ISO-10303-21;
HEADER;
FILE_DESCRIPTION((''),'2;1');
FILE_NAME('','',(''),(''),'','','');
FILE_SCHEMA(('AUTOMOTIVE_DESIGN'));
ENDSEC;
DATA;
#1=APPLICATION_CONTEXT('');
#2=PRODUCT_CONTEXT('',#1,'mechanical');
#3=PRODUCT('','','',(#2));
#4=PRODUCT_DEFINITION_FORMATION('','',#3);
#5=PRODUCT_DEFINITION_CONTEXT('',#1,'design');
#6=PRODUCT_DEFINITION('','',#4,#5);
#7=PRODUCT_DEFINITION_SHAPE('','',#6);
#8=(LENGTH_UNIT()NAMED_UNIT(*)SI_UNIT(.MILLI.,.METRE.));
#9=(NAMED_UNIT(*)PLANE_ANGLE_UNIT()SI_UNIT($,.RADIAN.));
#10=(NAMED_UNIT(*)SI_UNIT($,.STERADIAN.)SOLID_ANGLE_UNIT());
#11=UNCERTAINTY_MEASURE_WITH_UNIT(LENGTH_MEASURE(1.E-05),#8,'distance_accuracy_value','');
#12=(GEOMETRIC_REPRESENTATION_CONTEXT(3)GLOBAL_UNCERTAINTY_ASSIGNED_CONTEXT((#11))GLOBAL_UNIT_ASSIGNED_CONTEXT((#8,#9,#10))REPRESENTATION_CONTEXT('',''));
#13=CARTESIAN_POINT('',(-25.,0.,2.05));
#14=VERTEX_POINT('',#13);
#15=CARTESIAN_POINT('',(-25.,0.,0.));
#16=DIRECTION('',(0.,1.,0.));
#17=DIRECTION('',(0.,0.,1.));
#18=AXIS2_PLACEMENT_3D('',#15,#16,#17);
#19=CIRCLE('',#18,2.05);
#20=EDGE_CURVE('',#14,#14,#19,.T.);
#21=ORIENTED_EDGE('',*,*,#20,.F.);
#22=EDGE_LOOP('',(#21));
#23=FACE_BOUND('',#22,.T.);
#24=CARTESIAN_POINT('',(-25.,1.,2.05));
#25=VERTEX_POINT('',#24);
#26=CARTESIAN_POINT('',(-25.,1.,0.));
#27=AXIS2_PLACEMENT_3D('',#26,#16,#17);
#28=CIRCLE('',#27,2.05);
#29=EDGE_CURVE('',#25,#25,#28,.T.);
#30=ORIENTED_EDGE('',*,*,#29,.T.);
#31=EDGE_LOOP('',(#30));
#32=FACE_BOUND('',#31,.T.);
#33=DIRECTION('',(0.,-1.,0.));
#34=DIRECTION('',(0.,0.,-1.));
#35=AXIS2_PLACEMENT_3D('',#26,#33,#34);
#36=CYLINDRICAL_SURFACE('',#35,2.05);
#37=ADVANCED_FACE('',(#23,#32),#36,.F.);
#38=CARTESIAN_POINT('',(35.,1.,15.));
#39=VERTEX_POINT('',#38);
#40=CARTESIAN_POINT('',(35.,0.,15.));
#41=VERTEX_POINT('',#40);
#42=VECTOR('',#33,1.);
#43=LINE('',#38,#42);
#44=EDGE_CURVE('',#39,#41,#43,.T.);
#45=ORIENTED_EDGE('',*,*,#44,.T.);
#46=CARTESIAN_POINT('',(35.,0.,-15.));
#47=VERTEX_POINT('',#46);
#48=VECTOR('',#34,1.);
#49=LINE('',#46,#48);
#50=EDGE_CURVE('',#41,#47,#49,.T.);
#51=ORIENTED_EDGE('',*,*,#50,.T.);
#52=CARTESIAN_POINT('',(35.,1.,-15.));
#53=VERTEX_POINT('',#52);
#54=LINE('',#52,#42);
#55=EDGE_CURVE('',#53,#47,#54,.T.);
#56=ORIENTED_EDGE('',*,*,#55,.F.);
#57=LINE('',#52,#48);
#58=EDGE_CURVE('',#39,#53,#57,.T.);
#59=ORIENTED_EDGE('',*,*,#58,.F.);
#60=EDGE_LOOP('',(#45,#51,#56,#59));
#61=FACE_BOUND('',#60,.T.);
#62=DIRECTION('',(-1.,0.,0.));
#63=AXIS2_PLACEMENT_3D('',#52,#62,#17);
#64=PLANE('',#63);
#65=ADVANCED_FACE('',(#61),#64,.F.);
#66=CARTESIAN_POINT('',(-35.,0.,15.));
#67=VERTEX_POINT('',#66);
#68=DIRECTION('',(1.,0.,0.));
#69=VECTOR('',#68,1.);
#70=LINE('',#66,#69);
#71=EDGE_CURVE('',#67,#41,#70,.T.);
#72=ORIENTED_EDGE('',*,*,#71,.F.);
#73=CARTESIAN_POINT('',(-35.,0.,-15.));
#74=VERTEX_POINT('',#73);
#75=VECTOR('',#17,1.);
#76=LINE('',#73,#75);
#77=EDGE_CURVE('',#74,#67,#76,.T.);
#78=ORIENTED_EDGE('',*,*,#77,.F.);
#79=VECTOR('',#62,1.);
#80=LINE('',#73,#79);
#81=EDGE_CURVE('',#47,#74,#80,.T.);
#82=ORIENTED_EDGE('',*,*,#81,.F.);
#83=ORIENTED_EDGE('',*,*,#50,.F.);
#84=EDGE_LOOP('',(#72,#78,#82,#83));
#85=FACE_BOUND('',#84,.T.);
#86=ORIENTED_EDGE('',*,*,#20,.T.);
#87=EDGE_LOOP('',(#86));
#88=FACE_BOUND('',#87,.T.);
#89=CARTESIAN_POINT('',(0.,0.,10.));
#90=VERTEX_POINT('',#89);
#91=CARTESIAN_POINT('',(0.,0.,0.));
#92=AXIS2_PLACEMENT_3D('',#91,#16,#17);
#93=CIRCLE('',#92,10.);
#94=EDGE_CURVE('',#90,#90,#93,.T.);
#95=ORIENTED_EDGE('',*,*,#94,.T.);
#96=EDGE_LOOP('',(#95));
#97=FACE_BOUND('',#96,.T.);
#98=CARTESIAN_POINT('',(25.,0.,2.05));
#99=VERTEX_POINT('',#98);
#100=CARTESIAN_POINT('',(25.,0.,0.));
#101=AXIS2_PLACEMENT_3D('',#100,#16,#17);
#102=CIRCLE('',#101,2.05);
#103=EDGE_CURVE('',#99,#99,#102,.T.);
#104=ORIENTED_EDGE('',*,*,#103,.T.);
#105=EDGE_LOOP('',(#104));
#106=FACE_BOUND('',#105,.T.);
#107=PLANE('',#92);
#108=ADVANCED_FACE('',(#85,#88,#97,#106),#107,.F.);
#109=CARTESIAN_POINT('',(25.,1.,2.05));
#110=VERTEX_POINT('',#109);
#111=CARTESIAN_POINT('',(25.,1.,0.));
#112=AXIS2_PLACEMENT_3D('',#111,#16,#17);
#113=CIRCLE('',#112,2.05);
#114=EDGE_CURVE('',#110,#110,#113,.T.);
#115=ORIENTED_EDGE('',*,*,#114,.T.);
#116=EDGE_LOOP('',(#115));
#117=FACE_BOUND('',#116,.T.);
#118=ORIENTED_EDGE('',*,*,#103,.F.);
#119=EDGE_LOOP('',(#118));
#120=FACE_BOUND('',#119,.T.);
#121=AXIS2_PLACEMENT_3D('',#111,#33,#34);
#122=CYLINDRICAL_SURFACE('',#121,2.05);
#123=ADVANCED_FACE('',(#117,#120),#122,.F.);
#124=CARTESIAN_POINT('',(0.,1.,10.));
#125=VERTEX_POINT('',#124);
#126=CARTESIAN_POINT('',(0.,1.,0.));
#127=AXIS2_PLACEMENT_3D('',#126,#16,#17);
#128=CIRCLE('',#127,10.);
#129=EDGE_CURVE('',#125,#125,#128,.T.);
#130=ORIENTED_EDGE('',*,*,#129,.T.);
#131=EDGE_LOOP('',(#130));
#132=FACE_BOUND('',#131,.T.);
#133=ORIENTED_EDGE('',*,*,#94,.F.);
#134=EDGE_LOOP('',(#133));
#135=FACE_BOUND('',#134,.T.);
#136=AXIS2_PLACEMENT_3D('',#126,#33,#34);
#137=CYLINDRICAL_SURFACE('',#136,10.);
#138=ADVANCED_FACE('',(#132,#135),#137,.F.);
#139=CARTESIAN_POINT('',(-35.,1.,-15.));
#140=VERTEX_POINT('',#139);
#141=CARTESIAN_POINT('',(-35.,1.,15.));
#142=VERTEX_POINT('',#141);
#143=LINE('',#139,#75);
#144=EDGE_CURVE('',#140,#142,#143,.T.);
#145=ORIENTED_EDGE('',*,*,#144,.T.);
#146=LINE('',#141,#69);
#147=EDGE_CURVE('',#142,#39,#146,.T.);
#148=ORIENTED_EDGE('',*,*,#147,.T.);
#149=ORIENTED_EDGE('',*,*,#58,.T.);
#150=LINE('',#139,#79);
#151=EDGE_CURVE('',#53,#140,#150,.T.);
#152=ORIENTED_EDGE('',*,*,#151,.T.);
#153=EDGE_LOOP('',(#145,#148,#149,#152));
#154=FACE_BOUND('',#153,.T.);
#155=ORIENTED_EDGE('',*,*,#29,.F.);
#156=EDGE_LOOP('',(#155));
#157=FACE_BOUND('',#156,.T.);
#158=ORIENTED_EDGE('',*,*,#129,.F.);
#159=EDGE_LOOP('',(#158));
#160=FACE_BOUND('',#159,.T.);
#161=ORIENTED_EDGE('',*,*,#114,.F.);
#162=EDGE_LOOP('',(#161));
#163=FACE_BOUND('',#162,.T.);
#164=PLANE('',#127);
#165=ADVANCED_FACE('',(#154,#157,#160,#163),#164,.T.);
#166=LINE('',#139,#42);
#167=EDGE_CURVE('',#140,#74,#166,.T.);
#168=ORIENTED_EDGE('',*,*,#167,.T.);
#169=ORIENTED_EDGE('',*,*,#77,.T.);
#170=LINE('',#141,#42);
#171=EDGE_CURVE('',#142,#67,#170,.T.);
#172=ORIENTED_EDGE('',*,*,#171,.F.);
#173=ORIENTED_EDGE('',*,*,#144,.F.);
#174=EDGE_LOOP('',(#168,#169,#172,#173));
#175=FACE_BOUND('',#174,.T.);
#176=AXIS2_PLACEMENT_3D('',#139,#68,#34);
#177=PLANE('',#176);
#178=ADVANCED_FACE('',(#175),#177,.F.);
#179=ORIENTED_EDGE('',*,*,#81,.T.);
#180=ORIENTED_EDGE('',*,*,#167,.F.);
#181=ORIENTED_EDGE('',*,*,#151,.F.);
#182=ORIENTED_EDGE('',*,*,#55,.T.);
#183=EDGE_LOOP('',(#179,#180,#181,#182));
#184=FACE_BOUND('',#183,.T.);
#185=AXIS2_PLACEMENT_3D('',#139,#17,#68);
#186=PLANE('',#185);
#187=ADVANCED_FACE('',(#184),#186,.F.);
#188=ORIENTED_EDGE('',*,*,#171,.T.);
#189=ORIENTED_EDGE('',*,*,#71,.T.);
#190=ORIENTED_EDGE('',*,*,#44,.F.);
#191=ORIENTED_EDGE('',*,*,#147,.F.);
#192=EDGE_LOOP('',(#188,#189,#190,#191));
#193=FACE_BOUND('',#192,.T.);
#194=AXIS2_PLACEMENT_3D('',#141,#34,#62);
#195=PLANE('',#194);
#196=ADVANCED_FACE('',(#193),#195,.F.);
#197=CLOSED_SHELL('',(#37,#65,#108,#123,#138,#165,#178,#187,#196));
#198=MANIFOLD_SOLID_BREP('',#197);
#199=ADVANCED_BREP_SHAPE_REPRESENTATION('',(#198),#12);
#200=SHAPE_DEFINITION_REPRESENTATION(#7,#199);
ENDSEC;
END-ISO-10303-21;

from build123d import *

# Parameters (mm, degrees)
SKETCH1_W           = 70
SKETCH1_H           = 30
SKETCH1_R           = 10
SKETCH1_R_2         = 2.05
BOSS_EXTRUDE1_DEPTH = 1


with BuildPart() as part:
    # Sketch1 → Boss-Extrude1 (new body)
    with BuildSketch(Plane(origin=(0, 0, 0), x_dir=(1, 0, 0), z_dir=(0, 1, 0))):
        Rectangle(SKETCH1_W, SKETCH1_H)
        with Locations(Location((0, 0, 0), (0, 0, 270))):
            Circle(SKETCH1_R, mode=Mode.SUBTRACT)
        with Locations(Location((-25, 0, 0), (0, 0, 270))):
            Circle(SKETCH1_R_2, mode=Mode.SUBTRACT)
        with Locations(Location((25, 0, 0), (0, 0, 270))):
            Circle(SKETCH1_R_2, mode=Mode.SUBTRACT)
    extrude(amount=BOSS_EXTRUDE1_DEPTH)


solid = part.part
